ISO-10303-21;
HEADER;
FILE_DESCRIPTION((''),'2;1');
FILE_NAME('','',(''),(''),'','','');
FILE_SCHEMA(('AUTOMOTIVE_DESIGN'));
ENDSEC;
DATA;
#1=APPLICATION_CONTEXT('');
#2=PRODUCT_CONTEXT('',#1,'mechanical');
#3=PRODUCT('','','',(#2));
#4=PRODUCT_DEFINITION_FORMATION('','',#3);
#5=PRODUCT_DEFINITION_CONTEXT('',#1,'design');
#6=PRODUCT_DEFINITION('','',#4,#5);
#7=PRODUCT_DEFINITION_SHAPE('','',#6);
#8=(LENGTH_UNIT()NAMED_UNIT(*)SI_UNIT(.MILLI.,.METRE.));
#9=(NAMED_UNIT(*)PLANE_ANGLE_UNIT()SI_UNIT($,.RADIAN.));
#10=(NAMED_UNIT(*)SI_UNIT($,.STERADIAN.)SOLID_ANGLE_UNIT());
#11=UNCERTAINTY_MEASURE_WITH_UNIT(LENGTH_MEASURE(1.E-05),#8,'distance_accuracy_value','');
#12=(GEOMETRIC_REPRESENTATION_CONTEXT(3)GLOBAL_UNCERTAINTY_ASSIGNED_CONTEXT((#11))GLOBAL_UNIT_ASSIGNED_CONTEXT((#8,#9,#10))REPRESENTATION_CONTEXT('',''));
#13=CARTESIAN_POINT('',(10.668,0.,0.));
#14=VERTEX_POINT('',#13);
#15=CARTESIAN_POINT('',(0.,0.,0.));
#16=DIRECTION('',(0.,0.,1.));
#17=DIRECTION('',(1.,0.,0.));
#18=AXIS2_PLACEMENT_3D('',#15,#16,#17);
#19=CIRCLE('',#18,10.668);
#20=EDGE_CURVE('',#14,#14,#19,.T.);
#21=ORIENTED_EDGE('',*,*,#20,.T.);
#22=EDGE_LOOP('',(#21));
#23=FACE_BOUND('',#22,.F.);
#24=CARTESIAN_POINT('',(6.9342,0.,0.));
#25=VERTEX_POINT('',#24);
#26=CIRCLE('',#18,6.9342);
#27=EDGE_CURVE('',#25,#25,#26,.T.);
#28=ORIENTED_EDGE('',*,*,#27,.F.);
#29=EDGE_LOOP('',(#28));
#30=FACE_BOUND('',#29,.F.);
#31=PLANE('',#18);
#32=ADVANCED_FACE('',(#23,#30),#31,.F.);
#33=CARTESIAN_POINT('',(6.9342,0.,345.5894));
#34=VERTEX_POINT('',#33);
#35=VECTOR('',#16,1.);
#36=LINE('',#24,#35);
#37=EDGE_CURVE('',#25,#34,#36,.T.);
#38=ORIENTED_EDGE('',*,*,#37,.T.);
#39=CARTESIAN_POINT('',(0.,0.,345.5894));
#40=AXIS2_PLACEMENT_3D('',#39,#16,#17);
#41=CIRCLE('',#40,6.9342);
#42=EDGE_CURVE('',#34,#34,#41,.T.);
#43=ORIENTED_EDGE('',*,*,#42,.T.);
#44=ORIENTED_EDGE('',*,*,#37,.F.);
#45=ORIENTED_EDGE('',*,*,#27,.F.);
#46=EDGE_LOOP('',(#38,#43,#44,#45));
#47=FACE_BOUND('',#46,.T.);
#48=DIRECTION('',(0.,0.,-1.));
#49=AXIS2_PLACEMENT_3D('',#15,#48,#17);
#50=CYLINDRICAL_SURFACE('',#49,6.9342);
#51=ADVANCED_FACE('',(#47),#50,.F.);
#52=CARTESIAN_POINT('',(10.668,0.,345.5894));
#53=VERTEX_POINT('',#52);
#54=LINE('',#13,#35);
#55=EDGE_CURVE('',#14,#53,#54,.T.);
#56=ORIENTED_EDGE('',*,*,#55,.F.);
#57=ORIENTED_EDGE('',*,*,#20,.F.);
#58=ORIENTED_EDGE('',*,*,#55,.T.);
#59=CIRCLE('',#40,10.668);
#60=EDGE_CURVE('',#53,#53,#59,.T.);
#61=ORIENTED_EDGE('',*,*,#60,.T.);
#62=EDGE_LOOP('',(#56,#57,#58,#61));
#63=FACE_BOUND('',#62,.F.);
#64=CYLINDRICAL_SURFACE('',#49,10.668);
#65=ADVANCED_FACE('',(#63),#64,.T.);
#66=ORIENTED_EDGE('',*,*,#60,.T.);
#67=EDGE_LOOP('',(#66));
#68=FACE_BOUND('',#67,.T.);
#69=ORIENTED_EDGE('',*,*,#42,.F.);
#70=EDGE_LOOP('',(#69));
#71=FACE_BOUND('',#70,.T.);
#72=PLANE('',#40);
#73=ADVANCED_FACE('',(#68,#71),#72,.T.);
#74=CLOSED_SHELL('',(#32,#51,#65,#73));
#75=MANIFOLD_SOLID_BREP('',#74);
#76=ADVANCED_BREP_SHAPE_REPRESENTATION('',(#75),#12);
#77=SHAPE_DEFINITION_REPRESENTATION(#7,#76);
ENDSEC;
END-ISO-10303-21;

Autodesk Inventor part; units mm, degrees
ref_plane "YZ Plane" through (0, 0, 0) normal (1, 0, 0) x (0, 1, 0)
ref_plane "Start Plane" through (0, 0, 0) normal (0, 0, 1) x (1, 0, 0)
ref_plane "End Plane" through (0, 0, 345.5894) normal (0, 0, 1) x (1, 0, 0)
sketch "Sketch" plane through (0, 0, 0) normal (0, 0, 1) x (1, 0, 0)
  circle A0 centre (0, 0) radius 6.9342
  circle A1 centre (0, 0) radius 10.668
  dimension "d0" = 21.336
  dimension "d1" = 3.7338
extrude "Body" add sketch "Sketch" along normal up to surface (345.5894 mm away) from surface at 0
sketch "Sketch3" plane through (0, 0, 0) normal (0, 0, 1) x (1, 0, 0)
  line L0 (0, 0) -> (10, 0)
ref_plane "Work Plane3" through (0, 0, 0) normal (0, -1, 0) x (1, 0, 0)
sketch "Sketch4" plane through (0, 0, 0) normal (0, -1, 0) x (1, 0, 0)
  line L0 (-2, 0) -> (12, 0)
  line L1 (-2, 345.5894) -> (12, 345.5894)
  dimension "d7" = 345.5894
equation "\"d0\" = G_H"
equation "\"d1\" = G_T"
equation "\"d2\" = G_L"
equation "\"G_H\" = 21.336"
equation "\"G_T\" = 3.7338"
equation "\"G_L\" = d7"
equation "\"G_OFFSET_START\" = 0"
equation "\"G_OFFSET_END\" = 0"
equation "\"d5\" = G_OFFSET_END + B_L"
equation "\"B_L\" = 345.58937"
properties part number "ANSI - 1/2 x 0.147 - 13.606" material "Steel, Mild"
